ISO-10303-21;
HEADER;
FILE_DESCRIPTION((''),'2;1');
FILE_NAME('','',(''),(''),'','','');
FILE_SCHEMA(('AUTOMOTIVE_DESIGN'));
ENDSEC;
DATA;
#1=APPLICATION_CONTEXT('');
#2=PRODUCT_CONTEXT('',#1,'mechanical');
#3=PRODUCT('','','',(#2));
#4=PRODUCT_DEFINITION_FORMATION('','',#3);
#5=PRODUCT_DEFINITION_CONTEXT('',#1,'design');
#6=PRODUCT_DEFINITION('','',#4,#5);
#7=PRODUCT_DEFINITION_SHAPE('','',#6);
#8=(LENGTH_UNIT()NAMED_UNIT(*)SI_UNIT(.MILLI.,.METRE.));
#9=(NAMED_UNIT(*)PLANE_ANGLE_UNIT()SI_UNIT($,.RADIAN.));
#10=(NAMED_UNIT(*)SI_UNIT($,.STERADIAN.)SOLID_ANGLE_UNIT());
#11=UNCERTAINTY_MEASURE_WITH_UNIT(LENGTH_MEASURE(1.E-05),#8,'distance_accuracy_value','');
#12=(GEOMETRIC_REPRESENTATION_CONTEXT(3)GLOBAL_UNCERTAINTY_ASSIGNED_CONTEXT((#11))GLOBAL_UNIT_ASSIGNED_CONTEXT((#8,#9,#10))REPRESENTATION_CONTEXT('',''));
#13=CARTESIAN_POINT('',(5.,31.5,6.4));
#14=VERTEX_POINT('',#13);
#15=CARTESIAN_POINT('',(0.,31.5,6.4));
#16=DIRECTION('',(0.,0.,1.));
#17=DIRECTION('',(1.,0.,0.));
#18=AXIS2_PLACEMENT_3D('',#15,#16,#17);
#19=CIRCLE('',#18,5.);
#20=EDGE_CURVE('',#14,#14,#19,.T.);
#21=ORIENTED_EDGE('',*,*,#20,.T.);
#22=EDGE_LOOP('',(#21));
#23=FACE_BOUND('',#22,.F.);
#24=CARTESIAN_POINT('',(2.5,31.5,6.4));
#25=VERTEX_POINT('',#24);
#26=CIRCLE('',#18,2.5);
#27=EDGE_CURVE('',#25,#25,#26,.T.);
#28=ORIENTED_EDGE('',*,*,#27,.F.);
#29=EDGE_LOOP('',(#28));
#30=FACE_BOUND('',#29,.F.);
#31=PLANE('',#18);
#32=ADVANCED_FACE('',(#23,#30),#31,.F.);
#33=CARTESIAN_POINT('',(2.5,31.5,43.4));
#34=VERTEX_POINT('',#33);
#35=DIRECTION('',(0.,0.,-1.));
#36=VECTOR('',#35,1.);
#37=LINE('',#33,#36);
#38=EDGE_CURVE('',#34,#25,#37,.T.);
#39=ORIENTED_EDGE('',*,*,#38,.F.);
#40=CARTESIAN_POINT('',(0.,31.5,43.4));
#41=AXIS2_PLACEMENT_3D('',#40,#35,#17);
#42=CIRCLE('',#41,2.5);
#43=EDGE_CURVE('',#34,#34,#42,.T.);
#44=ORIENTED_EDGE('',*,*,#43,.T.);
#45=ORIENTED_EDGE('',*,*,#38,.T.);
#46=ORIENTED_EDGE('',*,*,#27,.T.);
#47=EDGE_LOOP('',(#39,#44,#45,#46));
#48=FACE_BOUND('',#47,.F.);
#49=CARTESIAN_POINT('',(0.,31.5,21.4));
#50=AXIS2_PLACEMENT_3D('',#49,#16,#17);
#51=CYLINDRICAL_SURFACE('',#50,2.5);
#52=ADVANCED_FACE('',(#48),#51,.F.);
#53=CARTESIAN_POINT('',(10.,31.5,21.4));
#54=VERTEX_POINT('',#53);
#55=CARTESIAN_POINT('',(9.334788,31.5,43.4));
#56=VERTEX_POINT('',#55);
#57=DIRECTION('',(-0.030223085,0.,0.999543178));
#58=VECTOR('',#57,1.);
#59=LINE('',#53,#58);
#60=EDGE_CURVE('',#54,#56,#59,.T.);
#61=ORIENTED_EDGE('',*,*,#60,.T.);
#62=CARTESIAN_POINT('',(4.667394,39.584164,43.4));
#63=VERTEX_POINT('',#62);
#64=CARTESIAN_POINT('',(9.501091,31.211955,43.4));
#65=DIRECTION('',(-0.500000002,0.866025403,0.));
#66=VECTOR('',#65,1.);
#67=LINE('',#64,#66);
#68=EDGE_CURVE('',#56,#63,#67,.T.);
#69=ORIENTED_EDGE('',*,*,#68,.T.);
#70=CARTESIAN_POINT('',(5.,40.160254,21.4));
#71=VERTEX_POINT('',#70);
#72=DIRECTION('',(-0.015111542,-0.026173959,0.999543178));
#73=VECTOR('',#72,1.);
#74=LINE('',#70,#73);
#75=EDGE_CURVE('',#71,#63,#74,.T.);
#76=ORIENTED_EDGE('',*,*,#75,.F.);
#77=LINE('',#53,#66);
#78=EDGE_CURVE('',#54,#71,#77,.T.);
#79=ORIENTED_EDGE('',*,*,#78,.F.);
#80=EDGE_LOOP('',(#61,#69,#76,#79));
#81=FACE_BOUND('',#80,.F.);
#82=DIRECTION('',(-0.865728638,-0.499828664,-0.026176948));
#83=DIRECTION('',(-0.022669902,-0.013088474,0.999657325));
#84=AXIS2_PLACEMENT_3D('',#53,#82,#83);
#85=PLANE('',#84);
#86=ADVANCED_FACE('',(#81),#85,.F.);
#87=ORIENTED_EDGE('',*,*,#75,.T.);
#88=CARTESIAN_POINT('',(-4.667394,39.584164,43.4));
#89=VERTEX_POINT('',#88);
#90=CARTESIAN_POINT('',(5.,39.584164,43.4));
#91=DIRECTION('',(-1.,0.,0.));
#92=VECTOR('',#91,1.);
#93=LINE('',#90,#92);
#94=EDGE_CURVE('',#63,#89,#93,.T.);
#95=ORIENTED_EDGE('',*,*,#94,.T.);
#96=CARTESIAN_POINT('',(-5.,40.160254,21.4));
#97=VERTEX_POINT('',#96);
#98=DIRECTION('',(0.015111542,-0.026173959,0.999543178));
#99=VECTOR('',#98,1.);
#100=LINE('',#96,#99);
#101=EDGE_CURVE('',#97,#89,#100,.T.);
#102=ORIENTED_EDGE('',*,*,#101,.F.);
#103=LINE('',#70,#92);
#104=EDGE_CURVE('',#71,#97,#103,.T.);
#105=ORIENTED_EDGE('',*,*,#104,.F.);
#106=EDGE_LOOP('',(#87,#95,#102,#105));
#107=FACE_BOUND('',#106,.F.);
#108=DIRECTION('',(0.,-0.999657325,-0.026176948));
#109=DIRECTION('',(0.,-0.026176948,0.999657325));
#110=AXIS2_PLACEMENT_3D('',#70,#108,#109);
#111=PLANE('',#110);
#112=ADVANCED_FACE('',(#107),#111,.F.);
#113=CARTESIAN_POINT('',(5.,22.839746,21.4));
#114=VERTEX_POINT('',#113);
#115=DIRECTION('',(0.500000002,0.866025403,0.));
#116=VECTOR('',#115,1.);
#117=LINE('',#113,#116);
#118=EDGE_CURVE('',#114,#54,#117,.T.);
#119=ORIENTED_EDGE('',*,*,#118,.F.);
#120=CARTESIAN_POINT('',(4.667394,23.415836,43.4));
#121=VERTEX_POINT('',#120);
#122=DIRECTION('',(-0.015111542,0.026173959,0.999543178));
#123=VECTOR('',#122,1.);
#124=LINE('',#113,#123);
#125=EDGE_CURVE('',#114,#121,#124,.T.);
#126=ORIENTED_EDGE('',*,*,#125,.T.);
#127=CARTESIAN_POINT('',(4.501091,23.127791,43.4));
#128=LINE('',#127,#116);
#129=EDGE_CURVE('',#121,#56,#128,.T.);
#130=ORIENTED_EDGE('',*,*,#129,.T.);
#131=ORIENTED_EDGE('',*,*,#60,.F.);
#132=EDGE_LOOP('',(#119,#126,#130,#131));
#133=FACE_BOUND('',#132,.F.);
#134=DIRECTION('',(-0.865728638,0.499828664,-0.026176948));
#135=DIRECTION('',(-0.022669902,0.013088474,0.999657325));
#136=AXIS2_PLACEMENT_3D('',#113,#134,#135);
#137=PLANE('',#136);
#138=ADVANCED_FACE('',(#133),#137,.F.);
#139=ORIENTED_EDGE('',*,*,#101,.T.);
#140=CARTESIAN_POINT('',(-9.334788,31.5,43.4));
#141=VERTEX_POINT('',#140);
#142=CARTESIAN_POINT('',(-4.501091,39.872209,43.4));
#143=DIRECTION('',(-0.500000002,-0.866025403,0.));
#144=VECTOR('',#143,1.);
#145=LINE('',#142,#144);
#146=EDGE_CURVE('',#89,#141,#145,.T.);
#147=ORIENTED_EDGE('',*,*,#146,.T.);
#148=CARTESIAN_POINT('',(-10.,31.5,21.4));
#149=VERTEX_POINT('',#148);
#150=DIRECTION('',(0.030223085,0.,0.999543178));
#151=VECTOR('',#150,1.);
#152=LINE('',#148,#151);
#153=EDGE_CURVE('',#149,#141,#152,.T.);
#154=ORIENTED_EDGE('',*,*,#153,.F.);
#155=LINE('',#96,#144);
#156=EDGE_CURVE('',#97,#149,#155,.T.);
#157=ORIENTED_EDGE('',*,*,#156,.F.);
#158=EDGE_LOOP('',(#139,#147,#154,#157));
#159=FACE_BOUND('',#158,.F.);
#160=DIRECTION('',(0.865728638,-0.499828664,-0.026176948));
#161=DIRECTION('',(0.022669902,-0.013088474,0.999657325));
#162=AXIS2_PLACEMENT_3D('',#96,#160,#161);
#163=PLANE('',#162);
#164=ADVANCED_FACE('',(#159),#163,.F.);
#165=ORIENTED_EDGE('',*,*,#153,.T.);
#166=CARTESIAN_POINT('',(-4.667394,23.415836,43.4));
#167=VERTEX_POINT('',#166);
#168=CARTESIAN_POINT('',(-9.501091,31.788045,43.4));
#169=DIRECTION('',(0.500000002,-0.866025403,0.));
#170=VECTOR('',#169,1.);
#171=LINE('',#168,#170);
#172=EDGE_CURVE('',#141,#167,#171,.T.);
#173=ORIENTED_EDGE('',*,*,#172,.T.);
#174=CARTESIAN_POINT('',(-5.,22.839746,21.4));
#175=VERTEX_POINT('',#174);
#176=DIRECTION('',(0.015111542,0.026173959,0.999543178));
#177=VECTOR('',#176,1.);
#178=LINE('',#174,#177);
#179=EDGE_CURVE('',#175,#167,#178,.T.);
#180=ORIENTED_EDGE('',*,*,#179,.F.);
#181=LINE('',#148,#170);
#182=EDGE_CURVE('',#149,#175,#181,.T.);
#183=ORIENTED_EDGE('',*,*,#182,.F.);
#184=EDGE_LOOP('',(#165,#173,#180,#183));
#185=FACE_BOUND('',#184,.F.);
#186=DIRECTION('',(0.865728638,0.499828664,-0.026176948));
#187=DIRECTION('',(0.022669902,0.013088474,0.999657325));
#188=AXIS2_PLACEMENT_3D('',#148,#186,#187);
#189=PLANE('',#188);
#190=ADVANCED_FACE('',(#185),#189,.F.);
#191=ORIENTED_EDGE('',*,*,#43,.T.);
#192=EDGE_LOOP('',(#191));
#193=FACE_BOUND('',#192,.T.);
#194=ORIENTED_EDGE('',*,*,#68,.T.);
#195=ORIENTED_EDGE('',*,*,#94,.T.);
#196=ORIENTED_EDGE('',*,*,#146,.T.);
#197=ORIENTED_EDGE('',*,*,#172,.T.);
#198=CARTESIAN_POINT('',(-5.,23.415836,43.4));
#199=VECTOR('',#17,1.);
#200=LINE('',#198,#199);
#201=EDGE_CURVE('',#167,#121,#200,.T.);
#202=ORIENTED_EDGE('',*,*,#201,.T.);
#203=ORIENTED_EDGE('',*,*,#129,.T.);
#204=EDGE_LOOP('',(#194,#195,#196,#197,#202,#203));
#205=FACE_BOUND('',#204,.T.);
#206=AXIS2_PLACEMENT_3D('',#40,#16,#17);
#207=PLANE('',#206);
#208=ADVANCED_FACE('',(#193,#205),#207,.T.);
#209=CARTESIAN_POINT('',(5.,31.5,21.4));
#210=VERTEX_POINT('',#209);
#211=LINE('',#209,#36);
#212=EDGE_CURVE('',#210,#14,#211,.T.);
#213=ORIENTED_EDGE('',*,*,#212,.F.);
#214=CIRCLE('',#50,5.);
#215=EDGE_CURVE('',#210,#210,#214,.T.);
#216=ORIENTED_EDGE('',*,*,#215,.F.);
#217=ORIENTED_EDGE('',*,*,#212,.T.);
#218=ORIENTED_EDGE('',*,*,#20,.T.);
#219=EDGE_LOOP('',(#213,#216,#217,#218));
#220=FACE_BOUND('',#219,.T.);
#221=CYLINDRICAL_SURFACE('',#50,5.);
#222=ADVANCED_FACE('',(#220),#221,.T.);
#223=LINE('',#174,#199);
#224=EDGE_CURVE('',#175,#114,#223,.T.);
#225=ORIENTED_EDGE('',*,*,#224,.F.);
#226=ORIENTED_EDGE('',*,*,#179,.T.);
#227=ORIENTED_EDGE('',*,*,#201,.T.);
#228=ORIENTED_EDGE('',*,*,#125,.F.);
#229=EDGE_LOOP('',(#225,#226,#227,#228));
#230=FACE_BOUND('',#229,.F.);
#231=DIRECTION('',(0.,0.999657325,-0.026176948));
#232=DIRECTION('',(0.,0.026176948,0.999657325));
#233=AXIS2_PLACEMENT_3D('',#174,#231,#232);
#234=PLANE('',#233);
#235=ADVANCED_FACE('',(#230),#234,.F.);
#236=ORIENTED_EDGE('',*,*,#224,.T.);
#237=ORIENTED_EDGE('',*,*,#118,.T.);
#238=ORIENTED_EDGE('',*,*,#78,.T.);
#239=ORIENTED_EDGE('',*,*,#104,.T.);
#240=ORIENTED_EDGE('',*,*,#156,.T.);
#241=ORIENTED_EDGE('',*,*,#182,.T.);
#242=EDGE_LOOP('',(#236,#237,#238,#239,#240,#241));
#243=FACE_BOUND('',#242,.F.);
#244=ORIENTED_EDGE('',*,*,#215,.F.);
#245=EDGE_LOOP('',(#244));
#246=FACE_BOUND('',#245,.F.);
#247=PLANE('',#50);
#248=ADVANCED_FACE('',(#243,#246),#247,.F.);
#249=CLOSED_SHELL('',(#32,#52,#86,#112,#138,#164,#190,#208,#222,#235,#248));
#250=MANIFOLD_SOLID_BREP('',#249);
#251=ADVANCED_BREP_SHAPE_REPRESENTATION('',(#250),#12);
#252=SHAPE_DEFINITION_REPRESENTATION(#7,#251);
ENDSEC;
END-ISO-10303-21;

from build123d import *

# Parameters (mm, degrees)
PAD008_DEPTH  = 22
PAD008_TAPER  = 1.5
SKETCH016_R   = 2.5
HOLE004_DEPTH = 69.506788
SKETCH017_R   = 5
PAD009_DEPTH  = 15
HOLE005_DEPTH = 25


with BuildPart() as part:
    # Sketch015 → Pad008 (new body)
    with BuildSketch(Plane.XY):
        Polygon((10, 0), (5, 8.660254), (-5, 8.660254), (-10, 0), (-5, -8.660254), (5, -8.660254), align=None)
    extrude(amount=PAD008_DEPTH, taper=PAD008_TAPER)

    # Sketch016 → Hole004 (cut)
    with BuildSketch(Plane.XY):
        Circle(SKETCH016_R)
    extrude(amount=HOLE004_DEPTH, mode=Mode.SUBTRACT)

    # Sketch017 → Pad009 (join)
    with BuildSketch(Plane.XY):
        Circle(SKETCH017_R)
    extrude(amount=-PAD009_DEPTH)

    # Sketch016 → Hole005 (cut)
    with BuildSketch(Plane.XY):
        Circle(SKETCH016_R)
    extrude(amount=-HOLE005_DEPTH, mode=Mode.SUBTRACT)


with BuildPart() as part_1:
    # Body007 placement: moved
    add(part.part.moved(Location((0, 31.5, 21.4))))


solid = part_1.part
